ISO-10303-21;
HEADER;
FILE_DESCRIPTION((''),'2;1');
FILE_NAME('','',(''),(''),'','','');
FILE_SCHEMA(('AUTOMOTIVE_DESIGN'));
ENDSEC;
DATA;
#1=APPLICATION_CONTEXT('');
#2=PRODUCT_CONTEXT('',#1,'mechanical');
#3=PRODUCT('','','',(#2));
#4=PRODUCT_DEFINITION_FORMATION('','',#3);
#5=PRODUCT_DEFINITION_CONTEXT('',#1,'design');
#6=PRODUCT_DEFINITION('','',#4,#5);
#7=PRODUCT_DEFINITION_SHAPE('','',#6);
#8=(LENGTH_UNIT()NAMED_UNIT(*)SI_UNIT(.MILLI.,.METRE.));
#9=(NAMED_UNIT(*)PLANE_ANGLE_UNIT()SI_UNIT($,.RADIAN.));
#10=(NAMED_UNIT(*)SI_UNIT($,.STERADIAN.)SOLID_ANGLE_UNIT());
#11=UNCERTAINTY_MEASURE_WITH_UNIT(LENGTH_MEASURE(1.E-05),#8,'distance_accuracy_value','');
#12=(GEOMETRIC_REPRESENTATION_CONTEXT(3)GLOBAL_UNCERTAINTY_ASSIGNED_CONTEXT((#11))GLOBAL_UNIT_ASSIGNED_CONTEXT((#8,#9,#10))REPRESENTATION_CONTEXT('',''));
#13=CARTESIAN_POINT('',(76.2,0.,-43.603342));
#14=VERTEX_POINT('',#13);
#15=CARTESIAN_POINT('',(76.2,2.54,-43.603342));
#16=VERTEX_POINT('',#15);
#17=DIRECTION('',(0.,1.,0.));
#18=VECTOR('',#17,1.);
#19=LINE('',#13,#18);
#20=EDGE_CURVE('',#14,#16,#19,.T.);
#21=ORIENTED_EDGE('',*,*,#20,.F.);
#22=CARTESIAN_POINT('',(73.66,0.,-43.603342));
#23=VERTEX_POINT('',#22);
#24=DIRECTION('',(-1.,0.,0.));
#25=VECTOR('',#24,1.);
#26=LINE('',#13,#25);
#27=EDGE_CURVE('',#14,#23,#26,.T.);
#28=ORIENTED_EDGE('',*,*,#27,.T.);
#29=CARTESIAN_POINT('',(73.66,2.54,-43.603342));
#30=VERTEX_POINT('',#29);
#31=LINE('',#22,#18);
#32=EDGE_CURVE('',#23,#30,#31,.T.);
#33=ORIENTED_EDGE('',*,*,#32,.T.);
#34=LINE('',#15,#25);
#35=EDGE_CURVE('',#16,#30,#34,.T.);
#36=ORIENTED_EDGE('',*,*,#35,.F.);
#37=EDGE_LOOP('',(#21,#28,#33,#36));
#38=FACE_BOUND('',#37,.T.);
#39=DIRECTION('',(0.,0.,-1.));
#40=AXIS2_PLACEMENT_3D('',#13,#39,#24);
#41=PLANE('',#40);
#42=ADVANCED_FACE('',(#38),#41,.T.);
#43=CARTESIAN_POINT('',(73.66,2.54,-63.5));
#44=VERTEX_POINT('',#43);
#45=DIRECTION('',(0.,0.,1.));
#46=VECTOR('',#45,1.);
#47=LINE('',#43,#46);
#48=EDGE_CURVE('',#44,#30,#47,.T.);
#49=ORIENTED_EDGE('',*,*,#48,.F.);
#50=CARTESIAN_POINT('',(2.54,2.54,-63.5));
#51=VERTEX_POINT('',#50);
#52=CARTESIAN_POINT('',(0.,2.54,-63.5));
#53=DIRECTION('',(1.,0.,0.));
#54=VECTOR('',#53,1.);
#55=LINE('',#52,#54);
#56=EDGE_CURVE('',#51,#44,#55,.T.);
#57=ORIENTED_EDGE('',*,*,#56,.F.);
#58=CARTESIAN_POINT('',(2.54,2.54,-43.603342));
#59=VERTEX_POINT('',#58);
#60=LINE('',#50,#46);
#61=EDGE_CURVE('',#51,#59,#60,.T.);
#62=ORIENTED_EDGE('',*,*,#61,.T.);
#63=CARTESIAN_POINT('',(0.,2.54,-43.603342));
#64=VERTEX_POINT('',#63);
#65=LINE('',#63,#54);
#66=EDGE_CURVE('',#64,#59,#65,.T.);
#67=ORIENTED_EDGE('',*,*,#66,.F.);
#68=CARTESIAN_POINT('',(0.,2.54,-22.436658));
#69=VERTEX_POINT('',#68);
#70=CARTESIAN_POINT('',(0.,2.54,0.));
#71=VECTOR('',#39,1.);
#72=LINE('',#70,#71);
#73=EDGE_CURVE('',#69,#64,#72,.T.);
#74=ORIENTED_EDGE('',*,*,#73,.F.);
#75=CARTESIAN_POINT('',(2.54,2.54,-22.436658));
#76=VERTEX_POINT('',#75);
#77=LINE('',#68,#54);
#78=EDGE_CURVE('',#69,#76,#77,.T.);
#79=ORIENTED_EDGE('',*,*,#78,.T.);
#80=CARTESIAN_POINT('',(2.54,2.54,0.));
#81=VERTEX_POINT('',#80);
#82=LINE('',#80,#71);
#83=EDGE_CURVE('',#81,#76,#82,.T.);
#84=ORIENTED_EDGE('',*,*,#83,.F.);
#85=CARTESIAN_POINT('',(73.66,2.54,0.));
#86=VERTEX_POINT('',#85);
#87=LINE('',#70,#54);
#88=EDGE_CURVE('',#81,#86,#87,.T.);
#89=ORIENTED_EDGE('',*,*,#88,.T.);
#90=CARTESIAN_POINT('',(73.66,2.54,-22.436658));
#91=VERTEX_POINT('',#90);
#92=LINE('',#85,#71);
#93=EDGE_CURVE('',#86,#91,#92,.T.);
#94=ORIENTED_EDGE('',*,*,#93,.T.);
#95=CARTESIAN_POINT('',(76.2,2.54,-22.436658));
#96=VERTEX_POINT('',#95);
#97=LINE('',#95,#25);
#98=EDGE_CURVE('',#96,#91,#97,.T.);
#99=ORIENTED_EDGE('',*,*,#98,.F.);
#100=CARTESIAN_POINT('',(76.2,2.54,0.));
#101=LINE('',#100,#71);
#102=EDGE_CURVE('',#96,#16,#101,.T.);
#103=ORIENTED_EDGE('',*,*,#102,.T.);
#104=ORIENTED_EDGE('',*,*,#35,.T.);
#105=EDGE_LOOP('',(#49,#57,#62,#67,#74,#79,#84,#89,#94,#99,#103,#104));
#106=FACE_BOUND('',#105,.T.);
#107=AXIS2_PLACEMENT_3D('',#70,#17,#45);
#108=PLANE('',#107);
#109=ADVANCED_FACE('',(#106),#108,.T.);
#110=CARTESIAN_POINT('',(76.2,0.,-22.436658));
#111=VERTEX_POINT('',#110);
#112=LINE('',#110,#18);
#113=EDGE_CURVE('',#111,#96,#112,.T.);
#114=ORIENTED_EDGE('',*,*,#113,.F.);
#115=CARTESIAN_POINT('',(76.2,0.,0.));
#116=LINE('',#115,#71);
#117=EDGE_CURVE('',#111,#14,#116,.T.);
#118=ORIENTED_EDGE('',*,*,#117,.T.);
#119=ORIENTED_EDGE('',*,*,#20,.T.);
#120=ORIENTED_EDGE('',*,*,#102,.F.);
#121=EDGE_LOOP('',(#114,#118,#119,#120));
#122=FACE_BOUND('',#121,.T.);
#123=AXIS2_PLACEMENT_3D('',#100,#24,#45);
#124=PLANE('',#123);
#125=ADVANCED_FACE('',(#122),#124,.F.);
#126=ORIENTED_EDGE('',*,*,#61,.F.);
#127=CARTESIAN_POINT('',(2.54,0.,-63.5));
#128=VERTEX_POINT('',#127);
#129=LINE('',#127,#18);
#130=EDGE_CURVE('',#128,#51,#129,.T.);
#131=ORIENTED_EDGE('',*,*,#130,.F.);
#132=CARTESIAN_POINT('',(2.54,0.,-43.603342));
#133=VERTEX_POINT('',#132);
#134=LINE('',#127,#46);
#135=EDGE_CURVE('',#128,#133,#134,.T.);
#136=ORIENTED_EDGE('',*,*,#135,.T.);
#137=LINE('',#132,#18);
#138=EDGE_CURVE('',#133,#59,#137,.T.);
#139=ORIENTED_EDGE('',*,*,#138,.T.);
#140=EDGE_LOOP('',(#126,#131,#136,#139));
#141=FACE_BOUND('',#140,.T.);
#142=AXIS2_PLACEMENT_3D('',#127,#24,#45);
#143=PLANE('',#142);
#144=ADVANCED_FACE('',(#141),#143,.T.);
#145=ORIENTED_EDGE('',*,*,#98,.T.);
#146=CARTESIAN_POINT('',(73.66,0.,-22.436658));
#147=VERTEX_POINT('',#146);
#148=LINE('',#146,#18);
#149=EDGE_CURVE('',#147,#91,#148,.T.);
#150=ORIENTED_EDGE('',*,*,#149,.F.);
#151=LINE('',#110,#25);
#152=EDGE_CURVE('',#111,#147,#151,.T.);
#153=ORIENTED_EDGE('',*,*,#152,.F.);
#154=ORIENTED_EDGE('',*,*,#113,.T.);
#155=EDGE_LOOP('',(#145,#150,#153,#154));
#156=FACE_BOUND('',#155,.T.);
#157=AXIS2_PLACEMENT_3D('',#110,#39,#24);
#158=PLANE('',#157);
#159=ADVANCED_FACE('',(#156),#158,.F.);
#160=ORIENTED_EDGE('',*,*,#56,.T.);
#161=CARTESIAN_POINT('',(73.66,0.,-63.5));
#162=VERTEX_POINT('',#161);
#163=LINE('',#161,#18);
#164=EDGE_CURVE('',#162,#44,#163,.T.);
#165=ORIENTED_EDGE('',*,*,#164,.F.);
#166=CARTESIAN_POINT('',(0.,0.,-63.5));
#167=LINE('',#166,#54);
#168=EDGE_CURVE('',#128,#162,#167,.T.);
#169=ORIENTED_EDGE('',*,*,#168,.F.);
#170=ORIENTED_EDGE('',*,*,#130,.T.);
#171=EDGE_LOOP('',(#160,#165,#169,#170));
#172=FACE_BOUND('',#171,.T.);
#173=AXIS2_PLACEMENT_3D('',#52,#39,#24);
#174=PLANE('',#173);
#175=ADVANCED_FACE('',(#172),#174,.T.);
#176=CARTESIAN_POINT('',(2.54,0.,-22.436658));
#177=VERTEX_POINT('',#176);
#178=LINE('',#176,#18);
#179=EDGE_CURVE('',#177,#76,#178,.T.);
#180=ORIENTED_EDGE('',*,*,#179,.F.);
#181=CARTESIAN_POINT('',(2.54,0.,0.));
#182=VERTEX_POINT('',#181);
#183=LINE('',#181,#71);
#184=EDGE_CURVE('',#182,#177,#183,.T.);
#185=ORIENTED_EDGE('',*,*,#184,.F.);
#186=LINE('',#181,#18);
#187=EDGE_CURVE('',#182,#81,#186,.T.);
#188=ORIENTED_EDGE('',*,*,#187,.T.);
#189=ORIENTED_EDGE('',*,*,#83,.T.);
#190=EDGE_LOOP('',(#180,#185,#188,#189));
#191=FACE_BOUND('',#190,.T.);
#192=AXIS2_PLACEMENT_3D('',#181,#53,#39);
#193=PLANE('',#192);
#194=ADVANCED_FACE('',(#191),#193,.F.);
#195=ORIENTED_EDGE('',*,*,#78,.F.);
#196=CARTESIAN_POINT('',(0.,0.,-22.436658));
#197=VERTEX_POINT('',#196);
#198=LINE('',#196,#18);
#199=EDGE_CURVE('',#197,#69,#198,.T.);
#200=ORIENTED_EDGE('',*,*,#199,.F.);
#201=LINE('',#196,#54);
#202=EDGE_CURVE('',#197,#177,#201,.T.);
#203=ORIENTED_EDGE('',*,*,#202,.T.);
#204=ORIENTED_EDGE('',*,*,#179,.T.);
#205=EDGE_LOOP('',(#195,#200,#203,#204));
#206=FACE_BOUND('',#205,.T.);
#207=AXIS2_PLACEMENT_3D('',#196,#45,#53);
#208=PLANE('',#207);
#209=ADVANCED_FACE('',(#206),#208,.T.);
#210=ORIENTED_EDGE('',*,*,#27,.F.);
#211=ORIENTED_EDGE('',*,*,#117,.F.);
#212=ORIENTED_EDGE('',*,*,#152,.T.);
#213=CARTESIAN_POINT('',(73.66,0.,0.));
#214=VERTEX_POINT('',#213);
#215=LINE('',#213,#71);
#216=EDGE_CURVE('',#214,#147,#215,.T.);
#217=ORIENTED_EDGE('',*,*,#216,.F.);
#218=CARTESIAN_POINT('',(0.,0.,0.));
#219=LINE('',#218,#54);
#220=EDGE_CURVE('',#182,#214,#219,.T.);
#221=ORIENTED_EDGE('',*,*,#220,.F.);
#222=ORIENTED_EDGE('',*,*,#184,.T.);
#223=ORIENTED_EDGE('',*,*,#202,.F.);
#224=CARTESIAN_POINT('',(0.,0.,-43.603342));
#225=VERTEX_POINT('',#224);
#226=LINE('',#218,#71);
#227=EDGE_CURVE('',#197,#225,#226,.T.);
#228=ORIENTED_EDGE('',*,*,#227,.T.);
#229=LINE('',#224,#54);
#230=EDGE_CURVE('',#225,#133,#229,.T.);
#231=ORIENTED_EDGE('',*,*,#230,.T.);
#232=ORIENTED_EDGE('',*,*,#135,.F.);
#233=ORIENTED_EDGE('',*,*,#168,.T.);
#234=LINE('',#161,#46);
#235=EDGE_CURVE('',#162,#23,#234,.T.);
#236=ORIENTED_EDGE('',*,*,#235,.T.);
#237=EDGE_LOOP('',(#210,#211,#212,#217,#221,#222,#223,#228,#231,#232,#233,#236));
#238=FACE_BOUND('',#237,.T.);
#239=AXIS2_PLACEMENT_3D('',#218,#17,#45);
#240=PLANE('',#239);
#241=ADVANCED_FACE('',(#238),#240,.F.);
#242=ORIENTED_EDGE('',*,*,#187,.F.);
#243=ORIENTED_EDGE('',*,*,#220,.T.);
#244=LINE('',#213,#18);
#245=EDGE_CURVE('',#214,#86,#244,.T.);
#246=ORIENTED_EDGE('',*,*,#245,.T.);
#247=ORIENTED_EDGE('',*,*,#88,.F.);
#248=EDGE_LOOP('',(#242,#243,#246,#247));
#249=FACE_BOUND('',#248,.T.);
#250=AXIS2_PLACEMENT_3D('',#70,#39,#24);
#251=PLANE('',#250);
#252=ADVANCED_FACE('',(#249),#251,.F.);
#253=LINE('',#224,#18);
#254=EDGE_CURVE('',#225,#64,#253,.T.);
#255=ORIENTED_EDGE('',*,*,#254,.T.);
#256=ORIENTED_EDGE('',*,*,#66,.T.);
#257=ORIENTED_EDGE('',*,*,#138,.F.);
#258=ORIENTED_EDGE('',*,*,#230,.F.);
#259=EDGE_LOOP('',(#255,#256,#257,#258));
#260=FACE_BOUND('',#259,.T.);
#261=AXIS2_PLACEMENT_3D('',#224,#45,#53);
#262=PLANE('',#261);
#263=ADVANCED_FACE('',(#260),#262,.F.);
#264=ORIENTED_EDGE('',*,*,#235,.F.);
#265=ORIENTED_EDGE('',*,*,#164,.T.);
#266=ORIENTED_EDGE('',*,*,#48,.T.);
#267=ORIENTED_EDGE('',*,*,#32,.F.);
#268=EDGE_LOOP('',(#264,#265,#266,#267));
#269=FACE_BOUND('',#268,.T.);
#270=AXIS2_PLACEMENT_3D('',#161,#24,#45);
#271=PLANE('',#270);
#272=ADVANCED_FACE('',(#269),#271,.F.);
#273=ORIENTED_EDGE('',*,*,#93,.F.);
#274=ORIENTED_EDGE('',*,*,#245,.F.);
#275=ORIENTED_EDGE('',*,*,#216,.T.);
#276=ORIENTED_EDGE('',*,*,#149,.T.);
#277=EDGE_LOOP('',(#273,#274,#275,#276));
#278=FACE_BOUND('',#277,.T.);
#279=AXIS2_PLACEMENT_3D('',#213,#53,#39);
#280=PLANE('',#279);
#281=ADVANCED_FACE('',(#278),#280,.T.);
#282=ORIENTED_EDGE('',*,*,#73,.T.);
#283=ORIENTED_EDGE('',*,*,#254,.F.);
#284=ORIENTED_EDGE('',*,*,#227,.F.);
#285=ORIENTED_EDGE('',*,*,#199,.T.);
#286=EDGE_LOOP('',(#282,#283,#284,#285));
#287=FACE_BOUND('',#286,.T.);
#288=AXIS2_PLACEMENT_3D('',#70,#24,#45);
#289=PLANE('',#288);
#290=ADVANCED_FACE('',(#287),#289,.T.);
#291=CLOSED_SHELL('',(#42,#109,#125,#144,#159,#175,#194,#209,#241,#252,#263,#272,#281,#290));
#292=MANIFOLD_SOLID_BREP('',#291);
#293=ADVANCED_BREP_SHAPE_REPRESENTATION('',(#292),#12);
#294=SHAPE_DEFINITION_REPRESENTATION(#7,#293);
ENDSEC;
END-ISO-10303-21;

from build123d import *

# Parameters (mm, degrees)
SKETCH1_W           = 76.2
SKETCH1_H           = 63.5
BOSS_EXTRUDE1_DEPTH = 2.54
SKETCH2_W           = 2.54
SKETCH2_H           = 19.8966582
CUT_EXTRUDE1_DEPTH  = 3.54
SKETCH3_W           = 2.54
SKETCH3_H           = 22.4366582
SKETCH3_H_2         = 19.8966582
CUT_EXTRUDE2_DEPTH  = 3.54


with BuildPart() as part:
    # Sketch1 → Boss-Extrude1 (new body)
    with BuildSketch(Plane(origin=(0, 0, 0), x_dir=(1, 0, 0), z_dir=(0, 1, 0))):
        with Locations((38.1, 31.75)):
            Rectangle(SKETCH1_W, SKETCH1_H)
    extrude(amount=BOSS_EXTRUDE1_DEPTH)

    # Sketch2 → Cut-Extrude1 (cut, through all)
    with BuildSketch(Plane(origin=(0, 2.54, 0), x_dir=(1, 0, 0), z_dir=(0, 1, 0))):
        with Locations((1.27, 53.5516709)):
            Rectangle(SKETCH2_W, SKETCH2_H)
    extrude(amount=-CUT_EXTRUDE1_DEPTH, mode=Mode.SUBTRACT)

    # Sketch3 → Cut-Extrude2 (cut, through all)
    with BuildSketch(Plane(origin=(0, 2.54, 0), x_dir=(1, 0, 0), z_dir=(0, 1, 0))):
        with Locations((1.27, 11.2183291)):
            Rectangle(SKETCH3_W, SKETCH3_H)
        with Locations((74.93, 53.5516709)):
            Rectangle(SKETCH3_W, SKETCH3_H_2)
        with Locations((74.93, 11.2183291)):
            Rectangle(SKETCH3_W, SKETCH3_H)
    extrude(amount=-CUT_EXTRUDE2_DEPTH, mode=Mode.SUBTRACT)


solid = part.part
